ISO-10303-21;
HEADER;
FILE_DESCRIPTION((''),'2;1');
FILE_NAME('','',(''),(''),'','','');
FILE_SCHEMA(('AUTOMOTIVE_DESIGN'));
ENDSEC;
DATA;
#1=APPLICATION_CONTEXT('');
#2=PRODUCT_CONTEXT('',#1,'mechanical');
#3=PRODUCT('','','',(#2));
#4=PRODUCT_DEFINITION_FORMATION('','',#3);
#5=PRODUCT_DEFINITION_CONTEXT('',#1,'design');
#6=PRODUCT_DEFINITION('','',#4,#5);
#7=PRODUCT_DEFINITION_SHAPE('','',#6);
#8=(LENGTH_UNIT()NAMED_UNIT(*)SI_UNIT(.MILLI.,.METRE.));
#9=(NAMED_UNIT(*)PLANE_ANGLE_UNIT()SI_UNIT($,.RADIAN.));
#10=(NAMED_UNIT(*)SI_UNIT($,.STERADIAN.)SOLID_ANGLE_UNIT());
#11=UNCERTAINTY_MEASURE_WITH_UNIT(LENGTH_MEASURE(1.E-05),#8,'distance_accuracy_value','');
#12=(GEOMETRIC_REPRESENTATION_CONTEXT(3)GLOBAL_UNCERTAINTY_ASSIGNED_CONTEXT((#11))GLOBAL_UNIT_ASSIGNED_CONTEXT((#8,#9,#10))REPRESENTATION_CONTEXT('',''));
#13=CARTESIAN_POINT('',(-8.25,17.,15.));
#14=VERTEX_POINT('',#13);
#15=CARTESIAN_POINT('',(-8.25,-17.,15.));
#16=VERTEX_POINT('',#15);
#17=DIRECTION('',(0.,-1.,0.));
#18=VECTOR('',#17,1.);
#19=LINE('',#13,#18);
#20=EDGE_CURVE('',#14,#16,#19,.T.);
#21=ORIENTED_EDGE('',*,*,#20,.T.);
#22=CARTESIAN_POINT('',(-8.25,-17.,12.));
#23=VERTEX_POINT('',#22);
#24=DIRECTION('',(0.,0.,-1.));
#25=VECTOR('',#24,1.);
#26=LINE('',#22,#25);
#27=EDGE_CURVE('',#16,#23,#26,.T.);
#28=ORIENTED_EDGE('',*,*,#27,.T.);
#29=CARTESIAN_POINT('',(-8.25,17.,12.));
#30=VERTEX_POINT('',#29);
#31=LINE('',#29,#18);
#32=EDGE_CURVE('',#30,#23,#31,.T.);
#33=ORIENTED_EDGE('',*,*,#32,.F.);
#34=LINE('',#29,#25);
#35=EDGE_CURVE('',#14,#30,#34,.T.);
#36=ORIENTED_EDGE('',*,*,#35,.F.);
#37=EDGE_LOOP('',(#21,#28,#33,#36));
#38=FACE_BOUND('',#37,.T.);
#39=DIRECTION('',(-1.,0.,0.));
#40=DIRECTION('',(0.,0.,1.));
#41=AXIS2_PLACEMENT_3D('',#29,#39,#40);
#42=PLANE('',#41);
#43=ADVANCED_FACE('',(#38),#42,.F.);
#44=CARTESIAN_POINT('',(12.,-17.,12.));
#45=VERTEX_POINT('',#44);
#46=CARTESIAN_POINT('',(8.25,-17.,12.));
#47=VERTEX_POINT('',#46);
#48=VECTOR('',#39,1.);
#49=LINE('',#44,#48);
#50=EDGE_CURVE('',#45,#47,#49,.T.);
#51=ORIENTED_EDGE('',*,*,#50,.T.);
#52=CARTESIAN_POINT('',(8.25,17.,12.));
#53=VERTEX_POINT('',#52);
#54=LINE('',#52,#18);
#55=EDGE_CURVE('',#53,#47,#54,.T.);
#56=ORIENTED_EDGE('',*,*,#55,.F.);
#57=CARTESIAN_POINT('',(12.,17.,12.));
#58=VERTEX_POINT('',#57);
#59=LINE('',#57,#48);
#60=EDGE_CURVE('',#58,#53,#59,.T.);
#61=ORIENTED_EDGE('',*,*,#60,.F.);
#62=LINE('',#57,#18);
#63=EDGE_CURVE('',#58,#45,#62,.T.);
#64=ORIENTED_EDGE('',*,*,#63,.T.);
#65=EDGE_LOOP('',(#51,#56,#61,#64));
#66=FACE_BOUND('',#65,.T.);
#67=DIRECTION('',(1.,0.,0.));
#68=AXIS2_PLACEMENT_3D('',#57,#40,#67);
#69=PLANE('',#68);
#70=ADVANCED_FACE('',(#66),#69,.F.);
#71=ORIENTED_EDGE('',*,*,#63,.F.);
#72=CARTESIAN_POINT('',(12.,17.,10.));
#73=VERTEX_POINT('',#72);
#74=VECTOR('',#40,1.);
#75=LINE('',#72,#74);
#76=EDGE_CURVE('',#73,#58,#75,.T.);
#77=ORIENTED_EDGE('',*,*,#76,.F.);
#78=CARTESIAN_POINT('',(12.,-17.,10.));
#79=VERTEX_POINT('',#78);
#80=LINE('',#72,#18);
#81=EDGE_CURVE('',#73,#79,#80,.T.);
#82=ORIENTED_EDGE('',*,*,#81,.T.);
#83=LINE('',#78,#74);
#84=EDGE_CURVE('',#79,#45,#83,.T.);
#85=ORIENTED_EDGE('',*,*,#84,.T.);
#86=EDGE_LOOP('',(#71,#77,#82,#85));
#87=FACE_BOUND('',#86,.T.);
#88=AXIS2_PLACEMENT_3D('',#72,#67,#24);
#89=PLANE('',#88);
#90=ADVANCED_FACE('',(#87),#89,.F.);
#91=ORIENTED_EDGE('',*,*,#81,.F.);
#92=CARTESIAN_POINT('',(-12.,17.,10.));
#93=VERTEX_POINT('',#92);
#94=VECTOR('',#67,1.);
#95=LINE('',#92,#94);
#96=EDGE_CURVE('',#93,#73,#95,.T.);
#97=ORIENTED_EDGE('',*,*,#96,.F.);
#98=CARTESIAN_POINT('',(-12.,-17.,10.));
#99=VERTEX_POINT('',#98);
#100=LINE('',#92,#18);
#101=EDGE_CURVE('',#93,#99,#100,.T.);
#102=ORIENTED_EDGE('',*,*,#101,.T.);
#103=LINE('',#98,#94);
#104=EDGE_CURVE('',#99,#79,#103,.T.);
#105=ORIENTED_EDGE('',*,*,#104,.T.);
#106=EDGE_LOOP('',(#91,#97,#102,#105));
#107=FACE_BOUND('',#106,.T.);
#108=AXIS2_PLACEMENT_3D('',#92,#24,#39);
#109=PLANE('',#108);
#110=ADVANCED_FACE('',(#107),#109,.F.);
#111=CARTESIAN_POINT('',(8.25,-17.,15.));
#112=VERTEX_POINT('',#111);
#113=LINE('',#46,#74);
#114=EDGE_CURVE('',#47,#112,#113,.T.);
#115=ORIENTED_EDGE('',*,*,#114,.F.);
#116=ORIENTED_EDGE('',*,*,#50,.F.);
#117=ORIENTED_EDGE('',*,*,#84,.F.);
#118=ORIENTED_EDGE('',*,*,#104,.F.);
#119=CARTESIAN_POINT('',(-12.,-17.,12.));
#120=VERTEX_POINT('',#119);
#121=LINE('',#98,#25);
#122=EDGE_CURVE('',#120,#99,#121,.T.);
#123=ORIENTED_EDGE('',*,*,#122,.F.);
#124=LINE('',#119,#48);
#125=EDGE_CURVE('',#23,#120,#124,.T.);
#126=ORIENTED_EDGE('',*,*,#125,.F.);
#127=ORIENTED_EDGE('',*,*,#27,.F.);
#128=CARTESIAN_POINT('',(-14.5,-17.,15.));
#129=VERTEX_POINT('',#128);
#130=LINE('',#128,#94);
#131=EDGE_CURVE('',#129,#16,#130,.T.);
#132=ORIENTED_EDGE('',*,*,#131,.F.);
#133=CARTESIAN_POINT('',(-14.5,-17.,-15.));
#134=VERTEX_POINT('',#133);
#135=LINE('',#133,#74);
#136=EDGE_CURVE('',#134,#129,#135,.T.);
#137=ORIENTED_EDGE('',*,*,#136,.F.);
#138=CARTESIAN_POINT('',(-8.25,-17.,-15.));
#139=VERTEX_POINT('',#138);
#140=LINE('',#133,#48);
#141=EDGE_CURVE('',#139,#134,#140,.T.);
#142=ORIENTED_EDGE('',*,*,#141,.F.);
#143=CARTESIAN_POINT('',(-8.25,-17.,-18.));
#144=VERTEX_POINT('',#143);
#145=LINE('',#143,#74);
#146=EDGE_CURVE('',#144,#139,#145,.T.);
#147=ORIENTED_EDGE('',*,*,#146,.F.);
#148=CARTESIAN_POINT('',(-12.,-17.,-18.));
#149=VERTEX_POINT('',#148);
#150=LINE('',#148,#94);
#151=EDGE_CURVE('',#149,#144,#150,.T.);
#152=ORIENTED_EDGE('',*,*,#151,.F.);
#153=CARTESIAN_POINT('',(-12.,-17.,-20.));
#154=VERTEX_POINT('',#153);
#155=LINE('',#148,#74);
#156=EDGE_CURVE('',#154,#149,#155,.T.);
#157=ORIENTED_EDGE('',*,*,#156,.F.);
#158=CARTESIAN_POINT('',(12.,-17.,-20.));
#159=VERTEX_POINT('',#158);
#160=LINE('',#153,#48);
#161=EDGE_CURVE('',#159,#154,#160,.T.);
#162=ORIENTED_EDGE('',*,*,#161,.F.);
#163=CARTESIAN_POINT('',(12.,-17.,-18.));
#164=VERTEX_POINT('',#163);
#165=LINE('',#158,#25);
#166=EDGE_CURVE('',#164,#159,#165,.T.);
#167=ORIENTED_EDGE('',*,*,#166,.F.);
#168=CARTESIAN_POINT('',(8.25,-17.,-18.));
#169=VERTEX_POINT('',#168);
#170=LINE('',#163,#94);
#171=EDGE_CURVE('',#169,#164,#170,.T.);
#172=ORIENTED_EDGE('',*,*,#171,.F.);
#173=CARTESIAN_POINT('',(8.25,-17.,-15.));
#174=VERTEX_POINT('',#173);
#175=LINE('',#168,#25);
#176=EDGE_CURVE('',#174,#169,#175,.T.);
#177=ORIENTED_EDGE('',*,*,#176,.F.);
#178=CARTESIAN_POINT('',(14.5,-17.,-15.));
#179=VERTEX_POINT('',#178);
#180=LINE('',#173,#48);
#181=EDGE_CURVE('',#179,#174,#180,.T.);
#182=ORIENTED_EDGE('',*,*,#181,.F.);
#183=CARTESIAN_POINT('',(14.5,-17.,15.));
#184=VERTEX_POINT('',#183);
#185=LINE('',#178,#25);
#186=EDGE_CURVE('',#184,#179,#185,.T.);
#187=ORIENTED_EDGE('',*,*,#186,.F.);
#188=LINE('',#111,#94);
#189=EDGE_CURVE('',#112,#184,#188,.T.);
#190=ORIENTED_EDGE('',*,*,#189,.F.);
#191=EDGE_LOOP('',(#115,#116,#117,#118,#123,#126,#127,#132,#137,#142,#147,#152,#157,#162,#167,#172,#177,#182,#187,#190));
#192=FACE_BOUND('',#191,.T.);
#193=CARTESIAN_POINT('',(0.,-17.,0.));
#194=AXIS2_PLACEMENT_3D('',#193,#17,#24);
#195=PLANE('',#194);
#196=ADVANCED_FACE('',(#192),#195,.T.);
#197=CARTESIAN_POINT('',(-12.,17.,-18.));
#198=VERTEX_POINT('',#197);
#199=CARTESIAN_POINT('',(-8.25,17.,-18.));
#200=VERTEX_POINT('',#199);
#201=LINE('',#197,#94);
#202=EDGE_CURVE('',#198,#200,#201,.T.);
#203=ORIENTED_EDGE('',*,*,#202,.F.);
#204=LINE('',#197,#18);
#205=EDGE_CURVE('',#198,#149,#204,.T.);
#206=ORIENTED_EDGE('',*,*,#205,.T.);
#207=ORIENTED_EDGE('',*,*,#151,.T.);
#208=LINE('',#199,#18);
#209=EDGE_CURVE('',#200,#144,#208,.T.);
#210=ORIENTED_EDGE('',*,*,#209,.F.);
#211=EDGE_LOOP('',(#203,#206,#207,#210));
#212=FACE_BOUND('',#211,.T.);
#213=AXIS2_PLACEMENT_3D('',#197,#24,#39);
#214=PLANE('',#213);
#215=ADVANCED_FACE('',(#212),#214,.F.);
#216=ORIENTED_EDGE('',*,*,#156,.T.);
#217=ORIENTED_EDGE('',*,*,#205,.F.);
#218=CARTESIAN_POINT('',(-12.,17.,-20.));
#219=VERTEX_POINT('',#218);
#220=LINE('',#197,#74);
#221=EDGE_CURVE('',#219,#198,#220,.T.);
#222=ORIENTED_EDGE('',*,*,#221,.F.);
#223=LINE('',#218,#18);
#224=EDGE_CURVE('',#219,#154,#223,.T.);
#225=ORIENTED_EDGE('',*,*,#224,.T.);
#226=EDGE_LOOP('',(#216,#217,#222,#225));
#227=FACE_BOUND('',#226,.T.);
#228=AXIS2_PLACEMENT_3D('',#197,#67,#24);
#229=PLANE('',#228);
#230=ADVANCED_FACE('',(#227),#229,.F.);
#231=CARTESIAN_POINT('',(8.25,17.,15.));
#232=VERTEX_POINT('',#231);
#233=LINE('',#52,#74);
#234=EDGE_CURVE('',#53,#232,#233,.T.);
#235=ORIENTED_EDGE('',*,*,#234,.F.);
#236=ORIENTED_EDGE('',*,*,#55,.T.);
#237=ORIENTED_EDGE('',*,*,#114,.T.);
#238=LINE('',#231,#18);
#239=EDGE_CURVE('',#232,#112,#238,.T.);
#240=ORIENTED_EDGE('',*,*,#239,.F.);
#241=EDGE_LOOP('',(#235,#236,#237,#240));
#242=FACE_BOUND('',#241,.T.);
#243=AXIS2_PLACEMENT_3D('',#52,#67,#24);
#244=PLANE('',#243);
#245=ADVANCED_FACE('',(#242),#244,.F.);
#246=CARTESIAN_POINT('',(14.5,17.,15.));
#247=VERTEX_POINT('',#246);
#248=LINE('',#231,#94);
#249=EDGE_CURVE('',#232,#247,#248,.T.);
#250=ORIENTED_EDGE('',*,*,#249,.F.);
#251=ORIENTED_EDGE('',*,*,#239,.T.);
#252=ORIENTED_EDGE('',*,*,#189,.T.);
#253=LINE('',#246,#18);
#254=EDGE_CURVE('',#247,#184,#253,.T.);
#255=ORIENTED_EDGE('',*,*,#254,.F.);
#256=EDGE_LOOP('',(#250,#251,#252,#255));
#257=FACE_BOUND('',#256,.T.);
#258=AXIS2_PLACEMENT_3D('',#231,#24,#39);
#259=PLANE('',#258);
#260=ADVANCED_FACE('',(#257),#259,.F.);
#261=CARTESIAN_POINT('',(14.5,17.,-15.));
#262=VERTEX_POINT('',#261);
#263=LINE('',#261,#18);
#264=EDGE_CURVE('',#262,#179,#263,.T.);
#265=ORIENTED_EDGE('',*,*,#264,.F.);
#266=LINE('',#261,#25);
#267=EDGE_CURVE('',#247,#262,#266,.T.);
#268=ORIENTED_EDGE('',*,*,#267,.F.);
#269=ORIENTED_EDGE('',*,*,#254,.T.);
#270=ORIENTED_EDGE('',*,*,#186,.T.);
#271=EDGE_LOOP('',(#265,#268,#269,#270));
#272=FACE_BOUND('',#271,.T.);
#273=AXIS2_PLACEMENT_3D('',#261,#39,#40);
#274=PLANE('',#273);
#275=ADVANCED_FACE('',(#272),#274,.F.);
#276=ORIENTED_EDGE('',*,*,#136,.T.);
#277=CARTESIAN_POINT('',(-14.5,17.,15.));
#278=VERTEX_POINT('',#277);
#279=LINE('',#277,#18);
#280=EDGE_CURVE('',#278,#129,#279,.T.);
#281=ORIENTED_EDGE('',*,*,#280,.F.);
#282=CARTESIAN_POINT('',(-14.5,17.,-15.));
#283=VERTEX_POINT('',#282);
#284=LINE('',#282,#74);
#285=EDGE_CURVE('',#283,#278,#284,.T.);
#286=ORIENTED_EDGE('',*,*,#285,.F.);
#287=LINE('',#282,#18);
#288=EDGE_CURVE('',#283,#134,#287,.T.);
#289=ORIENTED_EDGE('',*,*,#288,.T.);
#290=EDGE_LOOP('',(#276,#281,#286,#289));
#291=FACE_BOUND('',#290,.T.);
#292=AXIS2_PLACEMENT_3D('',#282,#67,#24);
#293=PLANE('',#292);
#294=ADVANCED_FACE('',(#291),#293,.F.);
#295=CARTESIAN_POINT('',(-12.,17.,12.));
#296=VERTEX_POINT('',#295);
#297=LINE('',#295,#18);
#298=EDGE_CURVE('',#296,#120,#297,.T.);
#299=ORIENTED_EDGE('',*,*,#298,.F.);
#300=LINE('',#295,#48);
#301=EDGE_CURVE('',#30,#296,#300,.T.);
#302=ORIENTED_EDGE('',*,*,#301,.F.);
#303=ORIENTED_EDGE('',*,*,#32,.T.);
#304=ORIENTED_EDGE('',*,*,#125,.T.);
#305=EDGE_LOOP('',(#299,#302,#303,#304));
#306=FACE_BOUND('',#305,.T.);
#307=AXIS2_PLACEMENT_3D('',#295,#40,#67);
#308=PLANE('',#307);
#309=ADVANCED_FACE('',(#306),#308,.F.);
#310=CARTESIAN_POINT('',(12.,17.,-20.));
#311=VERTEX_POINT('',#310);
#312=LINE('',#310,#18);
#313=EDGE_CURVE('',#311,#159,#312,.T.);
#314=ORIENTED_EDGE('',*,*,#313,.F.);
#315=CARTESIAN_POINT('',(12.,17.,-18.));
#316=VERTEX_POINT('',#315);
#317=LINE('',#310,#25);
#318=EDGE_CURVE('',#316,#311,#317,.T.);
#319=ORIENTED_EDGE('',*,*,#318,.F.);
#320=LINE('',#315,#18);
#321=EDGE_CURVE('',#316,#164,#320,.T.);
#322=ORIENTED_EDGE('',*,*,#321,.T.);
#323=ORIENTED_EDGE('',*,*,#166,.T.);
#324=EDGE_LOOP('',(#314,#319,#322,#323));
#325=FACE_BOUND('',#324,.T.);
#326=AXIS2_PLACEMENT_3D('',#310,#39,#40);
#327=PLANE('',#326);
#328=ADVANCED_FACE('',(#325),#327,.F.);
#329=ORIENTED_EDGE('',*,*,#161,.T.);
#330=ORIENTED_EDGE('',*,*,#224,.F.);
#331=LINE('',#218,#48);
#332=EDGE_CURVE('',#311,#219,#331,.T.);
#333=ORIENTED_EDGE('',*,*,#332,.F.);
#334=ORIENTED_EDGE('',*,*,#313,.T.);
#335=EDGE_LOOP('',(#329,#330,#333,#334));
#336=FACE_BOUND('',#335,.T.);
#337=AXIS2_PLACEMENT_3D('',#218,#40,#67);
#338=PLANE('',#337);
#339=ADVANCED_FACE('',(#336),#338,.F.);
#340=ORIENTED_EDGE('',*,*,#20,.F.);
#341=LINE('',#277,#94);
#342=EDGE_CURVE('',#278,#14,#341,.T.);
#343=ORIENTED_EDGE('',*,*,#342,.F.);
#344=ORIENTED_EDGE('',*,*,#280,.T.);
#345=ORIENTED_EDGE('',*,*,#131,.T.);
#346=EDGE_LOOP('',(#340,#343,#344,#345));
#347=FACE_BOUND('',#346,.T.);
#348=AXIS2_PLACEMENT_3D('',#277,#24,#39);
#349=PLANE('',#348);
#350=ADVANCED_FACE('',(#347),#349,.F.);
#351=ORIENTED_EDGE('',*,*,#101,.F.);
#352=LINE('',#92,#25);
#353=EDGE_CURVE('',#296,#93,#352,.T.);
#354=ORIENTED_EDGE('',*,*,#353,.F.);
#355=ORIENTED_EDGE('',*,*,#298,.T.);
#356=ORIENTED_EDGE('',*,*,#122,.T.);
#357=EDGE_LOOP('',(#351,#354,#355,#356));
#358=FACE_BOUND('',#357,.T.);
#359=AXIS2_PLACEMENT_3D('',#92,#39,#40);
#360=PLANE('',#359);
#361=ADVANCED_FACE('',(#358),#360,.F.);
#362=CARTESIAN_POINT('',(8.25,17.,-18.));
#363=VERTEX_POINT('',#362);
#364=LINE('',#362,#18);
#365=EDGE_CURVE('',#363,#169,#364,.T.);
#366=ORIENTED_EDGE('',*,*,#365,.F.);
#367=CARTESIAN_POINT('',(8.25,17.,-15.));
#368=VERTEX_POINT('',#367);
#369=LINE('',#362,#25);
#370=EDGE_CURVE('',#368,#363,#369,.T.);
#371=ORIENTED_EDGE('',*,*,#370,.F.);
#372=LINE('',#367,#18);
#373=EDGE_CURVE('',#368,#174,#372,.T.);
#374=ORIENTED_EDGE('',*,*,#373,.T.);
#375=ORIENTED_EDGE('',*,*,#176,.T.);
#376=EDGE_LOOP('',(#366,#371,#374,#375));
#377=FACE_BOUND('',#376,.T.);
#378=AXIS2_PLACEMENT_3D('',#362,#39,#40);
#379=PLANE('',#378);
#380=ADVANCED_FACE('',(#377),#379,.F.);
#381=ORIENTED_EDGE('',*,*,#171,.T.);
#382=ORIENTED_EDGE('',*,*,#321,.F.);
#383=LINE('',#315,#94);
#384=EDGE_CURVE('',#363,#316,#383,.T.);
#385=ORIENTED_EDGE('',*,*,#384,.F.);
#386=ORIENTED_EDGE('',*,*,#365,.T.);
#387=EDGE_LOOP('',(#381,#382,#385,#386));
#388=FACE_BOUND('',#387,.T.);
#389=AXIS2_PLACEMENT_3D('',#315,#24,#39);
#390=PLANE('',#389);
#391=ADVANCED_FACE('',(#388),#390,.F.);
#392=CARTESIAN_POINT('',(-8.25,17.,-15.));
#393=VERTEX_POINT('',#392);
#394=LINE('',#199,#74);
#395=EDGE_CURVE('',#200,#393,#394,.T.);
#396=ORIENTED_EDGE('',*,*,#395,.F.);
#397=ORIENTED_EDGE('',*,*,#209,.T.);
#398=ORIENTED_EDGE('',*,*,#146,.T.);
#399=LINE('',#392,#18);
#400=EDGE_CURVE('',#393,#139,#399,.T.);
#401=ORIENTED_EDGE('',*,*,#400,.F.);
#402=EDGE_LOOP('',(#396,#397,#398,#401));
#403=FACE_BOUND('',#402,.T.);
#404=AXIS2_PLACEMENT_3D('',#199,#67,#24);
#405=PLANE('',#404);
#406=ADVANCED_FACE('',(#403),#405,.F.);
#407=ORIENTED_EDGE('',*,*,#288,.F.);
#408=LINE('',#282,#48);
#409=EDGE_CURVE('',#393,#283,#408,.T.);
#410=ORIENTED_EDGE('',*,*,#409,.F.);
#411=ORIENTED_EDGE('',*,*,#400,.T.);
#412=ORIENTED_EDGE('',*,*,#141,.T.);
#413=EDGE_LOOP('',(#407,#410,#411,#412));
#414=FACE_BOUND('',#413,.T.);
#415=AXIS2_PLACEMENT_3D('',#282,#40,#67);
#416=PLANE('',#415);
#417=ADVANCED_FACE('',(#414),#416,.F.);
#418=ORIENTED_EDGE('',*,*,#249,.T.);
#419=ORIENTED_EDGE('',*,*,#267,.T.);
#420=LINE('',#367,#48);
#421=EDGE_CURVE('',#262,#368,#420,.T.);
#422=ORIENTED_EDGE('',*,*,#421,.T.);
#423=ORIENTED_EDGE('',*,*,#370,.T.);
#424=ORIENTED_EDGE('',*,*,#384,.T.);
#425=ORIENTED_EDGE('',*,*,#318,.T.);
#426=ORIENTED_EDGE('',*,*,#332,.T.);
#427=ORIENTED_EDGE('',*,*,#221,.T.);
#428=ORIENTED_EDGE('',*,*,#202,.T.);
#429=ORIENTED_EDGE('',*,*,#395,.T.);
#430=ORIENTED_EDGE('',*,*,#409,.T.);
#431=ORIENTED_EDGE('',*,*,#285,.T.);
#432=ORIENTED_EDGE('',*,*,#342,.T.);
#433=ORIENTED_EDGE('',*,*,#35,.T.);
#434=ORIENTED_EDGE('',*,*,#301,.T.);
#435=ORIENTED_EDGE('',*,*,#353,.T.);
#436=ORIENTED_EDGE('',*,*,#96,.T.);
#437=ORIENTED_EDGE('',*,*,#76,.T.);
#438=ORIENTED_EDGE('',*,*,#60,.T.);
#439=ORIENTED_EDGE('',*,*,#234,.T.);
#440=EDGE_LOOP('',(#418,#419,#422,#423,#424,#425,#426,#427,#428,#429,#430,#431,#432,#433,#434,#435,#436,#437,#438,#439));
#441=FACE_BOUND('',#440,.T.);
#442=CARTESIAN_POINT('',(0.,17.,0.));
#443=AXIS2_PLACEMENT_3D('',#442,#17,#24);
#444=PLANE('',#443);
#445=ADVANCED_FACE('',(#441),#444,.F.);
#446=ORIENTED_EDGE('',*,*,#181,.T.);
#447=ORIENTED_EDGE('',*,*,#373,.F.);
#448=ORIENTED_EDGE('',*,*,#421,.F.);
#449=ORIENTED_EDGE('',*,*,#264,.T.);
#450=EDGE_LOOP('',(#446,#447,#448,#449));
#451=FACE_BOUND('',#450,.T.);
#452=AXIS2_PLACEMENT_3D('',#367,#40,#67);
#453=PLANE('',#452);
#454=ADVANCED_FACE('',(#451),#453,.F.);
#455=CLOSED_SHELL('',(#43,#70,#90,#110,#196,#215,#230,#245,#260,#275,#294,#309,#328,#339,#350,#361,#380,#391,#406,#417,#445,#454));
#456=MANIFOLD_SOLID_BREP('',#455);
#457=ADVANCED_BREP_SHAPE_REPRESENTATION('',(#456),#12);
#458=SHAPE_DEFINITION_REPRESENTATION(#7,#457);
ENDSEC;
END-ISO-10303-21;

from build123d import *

# Parameters (mm, degrees)
BOSS_EXTRUDE1_DEPTH = 17


with BuildPart() as part:
    # Sketch1 → Boss-Extrude1 (new, symmetric)
    with BuildSketch(Plane(origin=(0, 0, 0), x_dir=(1, 0, 0), z_dir=(0, 1, 0))):
        Polygon((-12, 18), (-8.25, 18), (-8.25, 15), (-14.5, 15), (-14.5, -15), (-8.25, -15), (-8.25, -12), (-12, -12), (-12, -10), (12, -10), (12, -12), (8.25, -12), (8.25, -15), (14.5, -15), (14.5, 15), (8.25, 15), (8.25, 18), (12, 18), (12, 20), (-12, 20), align=None)
    extrude(amount=BOSS_EXTRUDE1_DEPTH, both=True)


solid = part.part
